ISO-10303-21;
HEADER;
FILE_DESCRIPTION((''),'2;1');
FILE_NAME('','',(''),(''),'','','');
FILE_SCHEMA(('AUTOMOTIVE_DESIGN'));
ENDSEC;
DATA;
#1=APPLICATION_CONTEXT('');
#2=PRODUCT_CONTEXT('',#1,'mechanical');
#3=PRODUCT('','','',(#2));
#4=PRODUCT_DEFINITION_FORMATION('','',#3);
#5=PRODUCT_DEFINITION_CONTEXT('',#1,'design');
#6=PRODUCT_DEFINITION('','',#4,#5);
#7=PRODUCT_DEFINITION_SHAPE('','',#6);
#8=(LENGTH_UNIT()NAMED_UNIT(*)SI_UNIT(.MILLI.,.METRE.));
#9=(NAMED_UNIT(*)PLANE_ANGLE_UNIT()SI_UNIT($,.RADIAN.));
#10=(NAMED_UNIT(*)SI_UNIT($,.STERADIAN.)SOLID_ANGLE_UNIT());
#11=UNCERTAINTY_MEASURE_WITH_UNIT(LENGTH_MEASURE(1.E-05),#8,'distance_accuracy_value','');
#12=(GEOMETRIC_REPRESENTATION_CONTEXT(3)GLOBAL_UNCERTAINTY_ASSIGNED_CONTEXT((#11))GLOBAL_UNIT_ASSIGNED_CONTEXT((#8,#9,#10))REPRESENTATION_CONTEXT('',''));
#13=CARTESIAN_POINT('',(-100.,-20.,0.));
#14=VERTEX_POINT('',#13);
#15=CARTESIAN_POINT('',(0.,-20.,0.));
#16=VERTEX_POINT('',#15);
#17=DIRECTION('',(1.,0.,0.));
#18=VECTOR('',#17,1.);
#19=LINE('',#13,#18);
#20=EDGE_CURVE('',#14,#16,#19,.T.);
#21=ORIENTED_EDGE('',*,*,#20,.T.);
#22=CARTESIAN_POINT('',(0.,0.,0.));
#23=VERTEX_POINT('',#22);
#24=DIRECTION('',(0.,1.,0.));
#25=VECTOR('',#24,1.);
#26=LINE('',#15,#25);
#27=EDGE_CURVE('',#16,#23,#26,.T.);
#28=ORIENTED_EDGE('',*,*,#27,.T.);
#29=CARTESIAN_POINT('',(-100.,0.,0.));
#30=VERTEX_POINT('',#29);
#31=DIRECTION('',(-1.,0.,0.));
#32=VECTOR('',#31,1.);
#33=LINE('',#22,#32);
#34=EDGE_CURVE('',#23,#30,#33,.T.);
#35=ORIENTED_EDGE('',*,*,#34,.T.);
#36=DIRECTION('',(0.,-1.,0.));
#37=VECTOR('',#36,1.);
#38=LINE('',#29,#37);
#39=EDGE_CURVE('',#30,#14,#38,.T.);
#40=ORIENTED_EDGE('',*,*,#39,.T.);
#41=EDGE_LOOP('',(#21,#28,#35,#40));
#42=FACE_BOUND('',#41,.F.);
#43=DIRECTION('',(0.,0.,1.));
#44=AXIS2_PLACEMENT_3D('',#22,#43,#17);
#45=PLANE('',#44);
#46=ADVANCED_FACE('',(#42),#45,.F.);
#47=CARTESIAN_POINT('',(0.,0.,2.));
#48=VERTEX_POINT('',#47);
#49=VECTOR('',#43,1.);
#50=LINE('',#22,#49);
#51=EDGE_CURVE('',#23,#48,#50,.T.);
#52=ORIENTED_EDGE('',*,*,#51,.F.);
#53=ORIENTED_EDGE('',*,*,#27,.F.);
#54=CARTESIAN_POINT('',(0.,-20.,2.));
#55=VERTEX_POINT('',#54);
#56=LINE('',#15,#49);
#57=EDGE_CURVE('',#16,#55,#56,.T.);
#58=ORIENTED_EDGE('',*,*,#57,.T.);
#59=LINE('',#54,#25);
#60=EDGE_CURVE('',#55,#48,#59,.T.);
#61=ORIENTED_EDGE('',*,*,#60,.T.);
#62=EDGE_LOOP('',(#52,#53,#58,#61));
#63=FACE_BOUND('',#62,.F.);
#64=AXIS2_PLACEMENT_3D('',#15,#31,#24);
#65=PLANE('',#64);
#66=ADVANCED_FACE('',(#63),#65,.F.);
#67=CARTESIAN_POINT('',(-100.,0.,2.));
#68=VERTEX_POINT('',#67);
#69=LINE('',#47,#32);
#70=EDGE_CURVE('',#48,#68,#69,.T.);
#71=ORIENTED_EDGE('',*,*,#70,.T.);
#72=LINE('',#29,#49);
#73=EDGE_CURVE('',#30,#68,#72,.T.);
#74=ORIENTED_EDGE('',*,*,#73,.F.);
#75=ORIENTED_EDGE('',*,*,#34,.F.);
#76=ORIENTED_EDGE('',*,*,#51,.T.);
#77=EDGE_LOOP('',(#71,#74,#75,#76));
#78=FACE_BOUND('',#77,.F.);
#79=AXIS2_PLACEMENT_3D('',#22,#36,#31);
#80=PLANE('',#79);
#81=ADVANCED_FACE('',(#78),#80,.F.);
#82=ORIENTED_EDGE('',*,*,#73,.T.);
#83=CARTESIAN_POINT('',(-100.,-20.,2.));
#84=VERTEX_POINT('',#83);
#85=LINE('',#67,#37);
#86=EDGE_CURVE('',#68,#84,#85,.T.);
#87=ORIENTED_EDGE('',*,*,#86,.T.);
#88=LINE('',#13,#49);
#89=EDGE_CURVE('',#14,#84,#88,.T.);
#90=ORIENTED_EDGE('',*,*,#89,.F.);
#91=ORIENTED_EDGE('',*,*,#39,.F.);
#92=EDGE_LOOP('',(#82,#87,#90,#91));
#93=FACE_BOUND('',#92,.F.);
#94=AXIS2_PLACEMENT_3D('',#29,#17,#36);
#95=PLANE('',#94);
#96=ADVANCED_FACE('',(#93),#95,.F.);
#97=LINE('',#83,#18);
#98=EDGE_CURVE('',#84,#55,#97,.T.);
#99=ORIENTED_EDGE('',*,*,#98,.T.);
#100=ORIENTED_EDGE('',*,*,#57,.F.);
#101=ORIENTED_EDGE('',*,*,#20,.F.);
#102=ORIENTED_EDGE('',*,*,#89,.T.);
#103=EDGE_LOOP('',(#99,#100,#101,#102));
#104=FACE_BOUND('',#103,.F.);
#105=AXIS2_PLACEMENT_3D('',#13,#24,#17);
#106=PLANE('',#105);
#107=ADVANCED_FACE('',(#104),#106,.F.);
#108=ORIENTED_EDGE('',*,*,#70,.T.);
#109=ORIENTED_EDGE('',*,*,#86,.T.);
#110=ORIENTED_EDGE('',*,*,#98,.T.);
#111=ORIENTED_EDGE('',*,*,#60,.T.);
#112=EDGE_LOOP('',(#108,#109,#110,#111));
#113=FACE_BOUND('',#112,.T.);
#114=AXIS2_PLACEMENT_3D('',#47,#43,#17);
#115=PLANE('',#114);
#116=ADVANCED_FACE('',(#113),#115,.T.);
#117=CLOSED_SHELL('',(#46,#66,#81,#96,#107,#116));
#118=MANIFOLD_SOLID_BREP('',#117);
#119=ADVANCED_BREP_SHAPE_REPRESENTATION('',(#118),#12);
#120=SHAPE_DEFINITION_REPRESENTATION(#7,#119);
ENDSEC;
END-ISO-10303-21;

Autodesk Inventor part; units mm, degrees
ref_plane "YZ Plane" through (0, 0, 0) normal (1, 0, 0) x (0, 1, 0)
ref_plane "XZ Plane" through (0, 0, 0) normal (0, 1, 0) x (-1, 0, 0)
ref_plane "XY Plane" through (0, 0, 0) normal (0, 0, 1) x (1, 0, 0)
sketch "Sketch1" plane through (0, 0, 0) normal (0, 0, 1) x (1, 0, 0)
  line L0 (0, 0) -> (-100, 0)
  line L1 (-100, 0) -> (-100, -20)
  line L2 (-100, -20) -> (0, -20)
  line L3 (0, -20) -> (0, 0)
  dimension "d0" = 100
  dimension "d1" = 20
extrude "Extrusion1" add sketch "Sketch1" along normal blind 2
properties part number "mouth"
